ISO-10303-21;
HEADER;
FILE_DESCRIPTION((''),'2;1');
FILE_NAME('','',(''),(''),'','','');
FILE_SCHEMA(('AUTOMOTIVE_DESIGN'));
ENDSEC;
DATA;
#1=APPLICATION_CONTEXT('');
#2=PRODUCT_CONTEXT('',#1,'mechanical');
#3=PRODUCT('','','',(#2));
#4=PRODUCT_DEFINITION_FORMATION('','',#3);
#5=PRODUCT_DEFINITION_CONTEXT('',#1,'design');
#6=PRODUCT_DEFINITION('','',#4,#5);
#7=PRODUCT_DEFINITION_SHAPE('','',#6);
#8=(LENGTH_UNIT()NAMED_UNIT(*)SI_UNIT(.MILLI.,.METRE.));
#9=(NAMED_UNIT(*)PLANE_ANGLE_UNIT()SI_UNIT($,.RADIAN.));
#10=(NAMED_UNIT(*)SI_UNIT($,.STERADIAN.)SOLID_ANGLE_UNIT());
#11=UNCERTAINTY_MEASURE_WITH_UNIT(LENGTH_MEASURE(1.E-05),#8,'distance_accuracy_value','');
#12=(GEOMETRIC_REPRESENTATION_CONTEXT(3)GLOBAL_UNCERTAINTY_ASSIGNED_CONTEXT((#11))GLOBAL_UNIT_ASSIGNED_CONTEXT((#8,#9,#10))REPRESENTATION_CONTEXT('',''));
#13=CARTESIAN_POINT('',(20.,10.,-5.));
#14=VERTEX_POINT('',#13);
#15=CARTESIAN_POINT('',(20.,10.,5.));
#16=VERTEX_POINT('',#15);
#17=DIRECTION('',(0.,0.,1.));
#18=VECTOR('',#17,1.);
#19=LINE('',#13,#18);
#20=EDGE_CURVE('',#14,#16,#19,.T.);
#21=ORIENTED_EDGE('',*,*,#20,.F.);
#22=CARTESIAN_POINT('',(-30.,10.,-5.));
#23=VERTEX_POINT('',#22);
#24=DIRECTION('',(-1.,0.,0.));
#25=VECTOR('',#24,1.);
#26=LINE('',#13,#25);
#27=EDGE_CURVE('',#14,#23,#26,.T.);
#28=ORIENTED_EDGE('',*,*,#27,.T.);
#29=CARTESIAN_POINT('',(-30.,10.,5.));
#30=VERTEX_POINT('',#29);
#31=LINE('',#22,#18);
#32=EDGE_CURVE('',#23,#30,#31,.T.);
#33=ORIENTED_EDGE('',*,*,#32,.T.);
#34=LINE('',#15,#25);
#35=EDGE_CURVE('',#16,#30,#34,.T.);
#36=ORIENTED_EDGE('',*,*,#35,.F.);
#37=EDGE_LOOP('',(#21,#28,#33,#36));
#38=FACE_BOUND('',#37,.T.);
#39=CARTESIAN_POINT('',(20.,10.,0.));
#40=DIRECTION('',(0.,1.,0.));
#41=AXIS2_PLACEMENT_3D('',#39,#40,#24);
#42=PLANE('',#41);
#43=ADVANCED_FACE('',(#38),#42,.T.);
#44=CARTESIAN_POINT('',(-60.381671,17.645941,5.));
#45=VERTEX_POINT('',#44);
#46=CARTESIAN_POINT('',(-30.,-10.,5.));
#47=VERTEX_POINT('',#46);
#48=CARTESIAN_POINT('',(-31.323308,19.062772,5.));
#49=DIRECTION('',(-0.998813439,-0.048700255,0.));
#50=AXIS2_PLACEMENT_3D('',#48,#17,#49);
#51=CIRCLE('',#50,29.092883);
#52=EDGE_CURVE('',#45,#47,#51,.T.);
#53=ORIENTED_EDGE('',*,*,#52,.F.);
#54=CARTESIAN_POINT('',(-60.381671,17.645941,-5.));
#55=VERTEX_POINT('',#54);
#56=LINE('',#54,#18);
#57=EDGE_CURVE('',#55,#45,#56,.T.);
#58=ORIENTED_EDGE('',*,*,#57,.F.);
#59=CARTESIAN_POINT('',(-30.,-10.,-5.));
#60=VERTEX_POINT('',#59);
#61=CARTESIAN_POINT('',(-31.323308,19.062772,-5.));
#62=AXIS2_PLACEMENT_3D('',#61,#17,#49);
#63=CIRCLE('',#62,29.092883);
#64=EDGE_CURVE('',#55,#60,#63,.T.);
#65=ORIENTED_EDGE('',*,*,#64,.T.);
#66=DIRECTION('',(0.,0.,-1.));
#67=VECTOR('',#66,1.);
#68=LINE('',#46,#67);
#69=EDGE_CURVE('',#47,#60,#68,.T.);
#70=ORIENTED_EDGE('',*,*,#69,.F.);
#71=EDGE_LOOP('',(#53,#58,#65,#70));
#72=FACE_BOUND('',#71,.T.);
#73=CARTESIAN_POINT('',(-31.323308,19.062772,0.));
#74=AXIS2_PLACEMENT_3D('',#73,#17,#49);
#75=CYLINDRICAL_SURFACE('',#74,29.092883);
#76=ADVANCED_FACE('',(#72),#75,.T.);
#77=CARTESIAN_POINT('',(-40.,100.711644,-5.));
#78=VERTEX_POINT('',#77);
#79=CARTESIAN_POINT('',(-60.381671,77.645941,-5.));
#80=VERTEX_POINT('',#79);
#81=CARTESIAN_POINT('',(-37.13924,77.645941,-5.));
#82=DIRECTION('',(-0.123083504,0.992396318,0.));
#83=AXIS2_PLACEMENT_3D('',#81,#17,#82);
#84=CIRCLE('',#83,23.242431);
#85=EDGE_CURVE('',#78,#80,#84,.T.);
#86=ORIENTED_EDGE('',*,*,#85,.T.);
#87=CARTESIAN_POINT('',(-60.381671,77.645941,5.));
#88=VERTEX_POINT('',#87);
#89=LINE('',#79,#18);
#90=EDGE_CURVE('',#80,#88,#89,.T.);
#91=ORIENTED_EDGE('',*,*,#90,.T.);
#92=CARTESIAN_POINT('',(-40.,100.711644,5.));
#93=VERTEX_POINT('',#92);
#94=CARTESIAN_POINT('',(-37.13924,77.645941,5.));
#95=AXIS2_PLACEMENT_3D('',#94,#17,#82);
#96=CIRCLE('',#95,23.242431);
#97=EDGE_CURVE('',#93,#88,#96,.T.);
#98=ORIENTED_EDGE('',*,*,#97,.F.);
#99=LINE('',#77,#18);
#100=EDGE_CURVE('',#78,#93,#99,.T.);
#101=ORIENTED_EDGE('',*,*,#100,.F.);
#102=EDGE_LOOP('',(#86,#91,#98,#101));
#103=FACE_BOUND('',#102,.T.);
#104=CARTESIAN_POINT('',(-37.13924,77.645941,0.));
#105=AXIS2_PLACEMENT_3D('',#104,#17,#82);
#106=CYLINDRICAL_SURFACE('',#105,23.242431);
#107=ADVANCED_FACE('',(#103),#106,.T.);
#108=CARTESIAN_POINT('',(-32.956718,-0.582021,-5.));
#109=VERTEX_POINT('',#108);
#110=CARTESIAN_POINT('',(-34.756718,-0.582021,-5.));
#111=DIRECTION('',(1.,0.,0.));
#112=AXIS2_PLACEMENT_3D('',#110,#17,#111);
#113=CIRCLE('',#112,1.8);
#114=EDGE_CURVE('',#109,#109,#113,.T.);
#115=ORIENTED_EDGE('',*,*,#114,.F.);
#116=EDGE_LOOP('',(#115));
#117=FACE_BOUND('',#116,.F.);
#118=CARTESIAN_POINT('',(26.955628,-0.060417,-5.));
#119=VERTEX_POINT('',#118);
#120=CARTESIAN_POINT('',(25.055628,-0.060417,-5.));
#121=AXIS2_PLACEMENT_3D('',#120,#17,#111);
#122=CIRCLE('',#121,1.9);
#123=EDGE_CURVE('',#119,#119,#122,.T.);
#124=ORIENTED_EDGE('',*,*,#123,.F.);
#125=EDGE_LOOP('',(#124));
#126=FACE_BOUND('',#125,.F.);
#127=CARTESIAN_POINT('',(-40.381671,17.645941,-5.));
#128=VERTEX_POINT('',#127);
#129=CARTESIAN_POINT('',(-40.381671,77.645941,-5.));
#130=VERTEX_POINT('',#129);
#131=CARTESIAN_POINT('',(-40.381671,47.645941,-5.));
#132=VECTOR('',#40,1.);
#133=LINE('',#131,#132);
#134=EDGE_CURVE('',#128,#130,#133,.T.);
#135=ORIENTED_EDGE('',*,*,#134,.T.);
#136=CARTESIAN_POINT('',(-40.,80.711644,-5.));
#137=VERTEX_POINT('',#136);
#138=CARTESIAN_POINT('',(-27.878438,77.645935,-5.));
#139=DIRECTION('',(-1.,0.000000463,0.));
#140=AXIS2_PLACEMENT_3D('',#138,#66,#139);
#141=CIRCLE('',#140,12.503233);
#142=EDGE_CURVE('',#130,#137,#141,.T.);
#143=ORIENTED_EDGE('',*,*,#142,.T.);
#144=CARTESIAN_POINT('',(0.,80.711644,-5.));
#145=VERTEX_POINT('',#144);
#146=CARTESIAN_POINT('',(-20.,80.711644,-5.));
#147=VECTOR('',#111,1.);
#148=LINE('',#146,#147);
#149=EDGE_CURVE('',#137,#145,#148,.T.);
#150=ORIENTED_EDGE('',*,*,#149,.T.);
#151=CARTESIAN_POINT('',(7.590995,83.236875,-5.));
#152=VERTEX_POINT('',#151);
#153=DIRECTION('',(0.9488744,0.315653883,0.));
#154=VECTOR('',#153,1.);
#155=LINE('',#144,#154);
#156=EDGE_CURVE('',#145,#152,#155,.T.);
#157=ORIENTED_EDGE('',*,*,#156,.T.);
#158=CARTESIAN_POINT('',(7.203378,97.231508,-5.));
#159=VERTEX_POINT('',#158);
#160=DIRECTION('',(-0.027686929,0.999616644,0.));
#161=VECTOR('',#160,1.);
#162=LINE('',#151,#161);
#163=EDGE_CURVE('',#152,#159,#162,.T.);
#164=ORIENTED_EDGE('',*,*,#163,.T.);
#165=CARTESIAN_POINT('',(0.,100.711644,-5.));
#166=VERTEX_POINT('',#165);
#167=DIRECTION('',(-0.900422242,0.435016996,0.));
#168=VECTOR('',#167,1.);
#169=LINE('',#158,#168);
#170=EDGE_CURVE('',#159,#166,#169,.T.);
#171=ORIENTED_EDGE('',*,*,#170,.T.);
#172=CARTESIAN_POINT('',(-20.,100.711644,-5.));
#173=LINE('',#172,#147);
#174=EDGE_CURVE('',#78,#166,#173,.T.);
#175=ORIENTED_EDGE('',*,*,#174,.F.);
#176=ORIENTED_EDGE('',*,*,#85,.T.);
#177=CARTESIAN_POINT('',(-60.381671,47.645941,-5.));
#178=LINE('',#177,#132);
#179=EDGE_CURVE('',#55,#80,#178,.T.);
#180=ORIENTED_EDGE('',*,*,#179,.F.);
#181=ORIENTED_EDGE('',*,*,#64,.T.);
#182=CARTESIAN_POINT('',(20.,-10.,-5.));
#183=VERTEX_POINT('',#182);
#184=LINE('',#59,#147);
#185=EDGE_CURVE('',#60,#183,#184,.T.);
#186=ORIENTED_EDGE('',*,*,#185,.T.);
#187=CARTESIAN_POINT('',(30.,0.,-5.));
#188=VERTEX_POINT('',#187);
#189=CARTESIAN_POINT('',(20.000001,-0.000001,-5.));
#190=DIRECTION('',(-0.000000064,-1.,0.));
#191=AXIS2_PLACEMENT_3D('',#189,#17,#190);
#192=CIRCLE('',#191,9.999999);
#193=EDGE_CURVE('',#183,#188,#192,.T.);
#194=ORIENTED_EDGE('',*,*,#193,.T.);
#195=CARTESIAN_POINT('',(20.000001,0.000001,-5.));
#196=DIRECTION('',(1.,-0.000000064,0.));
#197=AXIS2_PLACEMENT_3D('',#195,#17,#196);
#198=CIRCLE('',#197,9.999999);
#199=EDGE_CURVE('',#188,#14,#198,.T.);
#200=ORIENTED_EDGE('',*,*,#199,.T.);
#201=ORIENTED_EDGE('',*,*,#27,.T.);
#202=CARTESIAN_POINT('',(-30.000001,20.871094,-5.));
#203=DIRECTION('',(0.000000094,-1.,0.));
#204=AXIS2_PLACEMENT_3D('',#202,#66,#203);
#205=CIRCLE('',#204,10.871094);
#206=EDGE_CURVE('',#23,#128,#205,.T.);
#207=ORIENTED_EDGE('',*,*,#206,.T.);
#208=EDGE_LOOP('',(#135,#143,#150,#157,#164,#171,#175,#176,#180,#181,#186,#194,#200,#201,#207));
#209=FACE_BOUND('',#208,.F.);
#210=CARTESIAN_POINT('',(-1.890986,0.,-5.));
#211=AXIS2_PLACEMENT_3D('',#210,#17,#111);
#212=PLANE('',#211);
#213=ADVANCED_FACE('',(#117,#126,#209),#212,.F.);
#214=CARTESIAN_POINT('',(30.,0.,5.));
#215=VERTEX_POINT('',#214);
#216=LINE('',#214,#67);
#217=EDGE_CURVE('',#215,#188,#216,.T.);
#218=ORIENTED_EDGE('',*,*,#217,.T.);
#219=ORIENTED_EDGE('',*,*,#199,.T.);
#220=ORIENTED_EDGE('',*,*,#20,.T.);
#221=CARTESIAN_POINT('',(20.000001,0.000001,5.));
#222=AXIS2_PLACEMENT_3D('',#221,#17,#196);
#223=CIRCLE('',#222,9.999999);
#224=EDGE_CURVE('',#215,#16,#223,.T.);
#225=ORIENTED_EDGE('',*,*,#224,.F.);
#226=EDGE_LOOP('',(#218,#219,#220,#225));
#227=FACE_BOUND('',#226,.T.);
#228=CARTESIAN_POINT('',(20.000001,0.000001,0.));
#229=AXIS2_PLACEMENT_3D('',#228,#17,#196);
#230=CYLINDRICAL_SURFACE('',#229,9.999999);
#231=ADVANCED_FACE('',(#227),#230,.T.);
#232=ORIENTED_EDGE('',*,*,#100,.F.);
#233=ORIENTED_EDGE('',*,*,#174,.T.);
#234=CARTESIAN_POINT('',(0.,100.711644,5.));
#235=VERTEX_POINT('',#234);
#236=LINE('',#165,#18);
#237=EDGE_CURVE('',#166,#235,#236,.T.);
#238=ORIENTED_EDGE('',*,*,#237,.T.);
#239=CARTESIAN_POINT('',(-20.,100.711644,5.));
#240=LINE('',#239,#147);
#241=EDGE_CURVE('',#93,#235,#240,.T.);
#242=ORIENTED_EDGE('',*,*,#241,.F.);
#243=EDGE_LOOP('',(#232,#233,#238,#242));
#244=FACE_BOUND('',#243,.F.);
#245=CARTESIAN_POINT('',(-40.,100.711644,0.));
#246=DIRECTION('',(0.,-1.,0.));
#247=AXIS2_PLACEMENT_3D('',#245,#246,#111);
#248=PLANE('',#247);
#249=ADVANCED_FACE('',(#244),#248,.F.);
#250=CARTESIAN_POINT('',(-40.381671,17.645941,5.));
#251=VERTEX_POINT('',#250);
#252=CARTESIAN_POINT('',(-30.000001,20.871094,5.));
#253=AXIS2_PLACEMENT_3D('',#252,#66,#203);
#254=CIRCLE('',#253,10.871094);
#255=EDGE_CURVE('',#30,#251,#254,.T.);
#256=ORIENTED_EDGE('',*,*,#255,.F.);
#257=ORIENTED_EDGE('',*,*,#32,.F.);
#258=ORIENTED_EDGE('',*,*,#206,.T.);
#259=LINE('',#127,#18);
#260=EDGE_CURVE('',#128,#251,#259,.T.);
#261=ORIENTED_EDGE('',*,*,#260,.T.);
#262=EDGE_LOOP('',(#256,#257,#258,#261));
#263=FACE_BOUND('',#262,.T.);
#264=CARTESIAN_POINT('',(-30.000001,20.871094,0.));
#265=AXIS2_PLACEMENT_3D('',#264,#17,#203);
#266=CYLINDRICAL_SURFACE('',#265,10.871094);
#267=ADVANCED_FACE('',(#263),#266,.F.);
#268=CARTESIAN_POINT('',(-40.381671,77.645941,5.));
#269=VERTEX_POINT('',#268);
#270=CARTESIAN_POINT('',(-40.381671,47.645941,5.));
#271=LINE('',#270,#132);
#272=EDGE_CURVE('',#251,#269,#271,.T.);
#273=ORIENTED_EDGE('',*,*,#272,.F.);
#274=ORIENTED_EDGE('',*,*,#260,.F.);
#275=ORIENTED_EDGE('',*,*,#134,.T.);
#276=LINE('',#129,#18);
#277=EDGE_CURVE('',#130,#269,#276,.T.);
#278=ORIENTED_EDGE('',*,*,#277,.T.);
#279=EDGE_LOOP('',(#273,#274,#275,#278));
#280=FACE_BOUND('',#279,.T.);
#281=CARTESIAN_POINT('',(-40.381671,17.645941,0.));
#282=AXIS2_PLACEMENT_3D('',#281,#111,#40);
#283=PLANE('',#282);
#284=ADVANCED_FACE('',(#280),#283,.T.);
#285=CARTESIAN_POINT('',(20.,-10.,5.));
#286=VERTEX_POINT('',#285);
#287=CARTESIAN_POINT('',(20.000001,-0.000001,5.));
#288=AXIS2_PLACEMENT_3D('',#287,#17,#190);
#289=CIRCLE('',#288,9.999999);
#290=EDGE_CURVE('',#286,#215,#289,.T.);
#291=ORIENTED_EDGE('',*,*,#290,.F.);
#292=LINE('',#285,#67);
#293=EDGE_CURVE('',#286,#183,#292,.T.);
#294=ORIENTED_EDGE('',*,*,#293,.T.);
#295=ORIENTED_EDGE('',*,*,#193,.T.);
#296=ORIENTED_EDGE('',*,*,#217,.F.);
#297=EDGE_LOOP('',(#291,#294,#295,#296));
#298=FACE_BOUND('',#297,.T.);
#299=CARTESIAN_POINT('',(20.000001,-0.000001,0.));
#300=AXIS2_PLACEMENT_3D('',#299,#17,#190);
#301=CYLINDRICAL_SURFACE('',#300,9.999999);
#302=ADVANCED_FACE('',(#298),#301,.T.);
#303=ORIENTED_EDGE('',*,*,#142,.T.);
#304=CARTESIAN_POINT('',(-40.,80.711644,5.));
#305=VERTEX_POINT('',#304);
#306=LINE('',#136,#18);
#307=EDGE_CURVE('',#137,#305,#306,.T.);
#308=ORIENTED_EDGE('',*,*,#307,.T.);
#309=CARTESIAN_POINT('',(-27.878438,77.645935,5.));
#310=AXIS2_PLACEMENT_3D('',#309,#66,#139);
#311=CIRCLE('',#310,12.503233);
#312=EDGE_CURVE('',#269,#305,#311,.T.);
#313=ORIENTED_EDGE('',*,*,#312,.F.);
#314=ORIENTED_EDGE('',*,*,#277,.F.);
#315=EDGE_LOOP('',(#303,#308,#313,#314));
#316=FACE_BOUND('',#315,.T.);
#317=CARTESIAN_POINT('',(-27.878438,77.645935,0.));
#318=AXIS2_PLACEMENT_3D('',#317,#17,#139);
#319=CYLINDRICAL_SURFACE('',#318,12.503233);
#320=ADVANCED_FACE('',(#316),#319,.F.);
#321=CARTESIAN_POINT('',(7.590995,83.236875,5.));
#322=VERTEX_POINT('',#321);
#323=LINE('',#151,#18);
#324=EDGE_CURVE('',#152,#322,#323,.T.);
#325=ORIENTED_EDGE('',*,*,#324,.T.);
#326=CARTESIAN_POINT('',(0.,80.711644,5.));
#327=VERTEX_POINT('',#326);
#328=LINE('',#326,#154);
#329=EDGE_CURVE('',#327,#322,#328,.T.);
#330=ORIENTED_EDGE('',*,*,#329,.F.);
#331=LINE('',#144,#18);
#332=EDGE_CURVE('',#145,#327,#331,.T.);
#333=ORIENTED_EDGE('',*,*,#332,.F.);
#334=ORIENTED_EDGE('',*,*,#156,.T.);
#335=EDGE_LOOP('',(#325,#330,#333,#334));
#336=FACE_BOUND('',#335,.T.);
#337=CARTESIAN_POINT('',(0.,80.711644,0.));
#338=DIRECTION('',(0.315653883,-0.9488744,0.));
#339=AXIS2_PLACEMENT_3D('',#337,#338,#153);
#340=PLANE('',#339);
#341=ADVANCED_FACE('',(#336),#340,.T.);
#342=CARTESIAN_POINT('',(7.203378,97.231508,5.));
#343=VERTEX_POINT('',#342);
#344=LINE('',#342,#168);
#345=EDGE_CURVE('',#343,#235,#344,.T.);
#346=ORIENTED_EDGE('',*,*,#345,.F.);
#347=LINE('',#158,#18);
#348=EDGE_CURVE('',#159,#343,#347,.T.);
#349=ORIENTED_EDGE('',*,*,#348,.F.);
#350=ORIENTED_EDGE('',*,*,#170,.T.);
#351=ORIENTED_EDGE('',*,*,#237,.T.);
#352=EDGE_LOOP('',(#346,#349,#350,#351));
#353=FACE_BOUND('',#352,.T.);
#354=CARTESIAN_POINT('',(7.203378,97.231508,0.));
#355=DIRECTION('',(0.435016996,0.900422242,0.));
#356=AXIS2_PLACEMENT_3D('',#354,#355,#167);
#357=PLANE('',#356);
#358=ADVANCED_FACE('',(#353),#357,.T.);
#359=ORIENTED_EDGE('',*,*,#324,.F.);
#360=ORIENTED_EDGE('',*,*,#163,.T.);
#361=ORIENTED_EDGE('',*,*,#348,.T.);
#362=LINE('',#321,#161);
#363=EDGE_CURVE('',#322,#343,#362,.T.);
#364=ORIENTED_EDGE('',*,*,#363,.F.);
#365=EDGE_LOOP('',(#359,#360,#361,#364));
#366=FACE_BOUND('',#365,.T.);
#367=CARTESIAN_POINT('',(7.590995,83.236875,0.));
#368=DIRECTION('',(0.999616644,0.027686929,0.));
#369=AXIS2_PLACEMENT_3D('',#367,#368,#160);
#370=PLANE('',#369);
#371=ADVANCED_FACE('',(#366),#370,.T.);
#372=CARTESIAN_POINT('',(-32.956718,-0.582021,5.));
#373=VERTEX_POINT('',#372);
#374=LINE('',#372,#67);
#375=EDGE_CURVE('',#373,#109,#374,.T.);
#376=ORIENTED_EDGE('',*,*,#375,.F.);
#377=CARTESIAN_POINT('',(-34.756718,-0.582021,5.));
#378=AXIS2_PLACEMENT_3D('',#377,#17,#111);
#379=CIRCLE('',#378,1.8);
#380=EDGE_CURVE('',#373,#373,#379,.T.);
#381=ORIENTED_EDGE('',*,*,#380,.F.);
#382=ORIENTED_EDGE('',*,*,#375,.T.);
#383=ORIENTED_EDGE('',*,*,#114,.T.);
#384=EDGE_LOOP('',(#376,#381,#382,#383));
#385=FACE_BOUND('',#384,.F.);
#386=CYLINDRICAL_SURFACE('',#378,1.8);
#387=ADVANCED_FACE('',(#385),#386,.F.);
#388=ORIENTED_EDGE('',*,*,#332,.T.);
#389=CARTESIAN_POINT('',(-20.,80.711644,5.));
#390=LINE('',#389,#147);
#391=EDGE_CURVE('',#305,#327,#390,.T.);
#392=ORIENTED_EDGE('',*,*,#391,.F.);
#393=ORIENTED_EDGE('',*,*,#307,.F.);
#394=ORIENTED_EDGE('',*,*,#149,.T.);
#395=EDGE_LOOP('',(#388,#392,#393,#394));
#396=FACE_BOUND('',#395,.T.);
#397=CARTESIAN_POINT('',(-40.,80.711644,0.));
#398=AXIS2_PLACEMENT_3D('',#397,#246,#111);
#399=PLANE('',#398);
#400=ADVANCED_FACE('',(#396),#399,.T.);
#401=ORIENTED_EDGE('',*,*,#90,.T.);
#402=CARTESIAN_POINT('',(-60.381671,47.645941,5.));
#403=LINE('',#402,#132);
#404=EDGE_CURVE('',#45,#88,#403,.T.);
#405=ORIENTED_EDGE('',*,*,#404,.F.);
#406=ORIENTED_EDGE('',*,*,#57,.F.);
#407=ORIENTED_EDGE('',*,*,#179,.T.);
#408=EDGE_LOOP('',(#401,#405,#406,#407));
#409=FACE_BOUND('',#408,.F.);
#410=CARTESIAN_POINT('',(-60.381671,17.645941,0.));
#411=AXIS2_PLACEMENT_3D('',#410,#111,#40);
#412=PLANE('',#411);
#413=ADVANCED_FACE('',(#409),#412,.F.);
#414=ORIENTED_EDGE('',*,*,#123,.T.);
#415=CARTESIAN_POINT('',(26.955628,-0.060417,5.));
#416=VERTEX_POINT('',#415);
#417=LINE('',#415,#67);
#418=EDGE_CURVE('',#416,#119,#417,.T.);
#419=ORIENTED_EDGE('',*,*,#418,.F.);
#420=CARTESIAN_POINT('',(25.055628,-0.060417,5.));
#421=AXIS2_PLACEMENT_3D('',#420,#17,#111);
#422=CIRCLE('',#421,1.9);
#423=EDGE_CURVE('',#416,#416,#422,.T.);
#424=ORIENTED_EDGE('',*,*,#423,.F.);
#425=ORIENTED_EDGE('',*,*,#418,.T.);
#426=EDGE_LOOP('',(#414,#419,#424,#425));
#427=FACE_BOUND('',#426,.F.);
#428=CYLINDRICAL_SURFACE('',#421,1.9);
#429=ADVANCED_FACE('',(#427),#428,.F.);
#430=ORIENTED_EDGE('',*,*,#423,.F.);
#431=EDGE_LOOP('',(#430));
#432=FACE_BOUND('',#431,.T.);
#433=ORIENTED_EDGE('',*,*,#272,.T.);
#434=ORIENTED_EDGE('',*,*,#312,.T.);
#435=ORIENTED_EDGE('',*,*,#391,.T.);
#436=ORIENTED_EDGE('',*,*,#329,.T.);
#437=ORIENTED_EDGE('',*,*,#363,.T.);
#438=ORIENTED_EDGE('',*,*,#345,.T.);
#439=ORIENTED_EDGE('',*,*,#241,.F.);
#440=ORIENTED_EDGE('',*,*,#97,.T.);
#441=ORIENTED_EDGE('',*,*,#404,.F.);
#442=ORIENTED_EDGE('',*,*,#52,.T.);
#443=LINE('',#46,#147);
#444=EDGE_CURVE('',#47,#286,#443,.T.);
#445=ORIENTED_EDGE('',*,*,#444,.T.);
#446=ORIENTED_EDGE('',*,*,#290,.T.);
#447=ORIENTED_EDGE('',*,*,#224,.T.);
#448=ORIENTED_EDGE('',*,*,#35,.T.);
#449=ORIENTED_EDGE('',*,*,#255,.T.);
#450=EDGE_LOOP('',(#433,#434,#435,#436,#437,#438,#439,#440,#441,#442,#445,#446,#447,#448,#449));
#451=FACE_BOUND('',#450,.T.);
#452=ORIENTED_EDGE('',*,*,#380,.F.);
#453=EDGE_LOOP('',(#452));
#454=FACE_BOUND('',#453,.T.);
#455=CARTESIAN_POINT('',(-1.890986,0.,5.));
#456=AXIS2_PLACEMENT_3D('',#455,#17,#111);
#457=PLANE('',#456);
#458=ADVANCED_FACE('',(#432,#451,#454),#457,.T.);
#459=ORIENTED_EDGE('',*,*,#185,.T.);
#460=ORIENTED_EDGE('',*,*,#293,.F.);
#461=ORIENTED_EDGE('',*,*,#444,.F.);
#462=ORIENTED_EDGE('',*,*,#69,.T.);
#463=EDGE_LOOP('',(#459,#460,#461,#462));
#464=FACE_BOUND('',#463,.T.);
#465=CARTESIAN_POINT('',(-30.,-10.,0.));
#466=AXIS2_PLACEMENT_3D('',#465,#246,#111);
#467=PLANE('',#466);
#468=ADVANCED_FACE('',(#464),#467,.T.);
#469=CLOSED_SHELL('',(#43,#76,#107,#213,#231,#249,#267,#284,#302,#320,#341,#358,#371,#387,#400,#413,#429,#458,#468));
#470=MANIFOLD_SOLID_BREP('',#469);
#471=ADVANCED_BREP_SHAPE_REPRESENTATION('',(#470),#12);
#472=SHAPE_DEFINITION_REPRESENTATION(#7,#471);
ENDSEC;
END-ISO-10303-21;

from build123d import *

# Parameters (mm, degrees)
F0_W     = 20
F0_H     = 60
F0_W_2   = 40
F0_H_2   = 20
F1_DEPTH = 5
F2_R     = 1.9
F3_DEPTH = 26
F4_R     = 1.8
F5_DEPTH = 25


with BuildPart() as f1:
    # F0 (on Top) → F1 (new body, symmetric)
    with BuildSketch(Plane.XY):
        with BuildLine():
            ThreePointArc((30, 0), (27.071068, 7.071068), (20, 10))
            Line((20, 10), (-30, 10))
            Line((-30, 10), (-30, -10))
            Line((-30, -10), (20, -10))
            ThreePointArc((20, -10), (27.071068, -7.071068), (30, 0))
        make_face()
        with BuildLine():
            Line((-30, -10), (-30, 10))
            ThreePointArc((-30, 10), (-36.446695, 12.117762), (-40.381671, 17.645941))
            Line((-40.381671, 17.645941), (-60.381671, 17.645941))
            ThreePointArc((-60.381671, 17.645941), (-50.903472, -2.454966), (-30, -10))
        make_face()
        with Locations((-50.381671, 47.645941)):
            Rectangle(F0_W, F0_H)
        with BuildLine():
            Line((-60.381671, 77.645941), (-40.381671, 77.645941))
            ThreePointArc((-40.381671, 77.645941), (-40.285886, 79.190626), (-40, 80.711644))
            Line((-40, 80.711644), (-40, 100.711644))
            ThreePointArc((-40, 100.711644), (-54.556209, 93.036191), (-60.381671, 77.645941))
        make_face()
        with Locations((-20, 90.711644)):
            Rectangle(F0_W_2, F0_H_2)
        Polygon((0, 100.711644), (0, 80.711644), (7.590995, 83.236875), (7.203378, 97.231508), align=None)
    extrude(amount=F1_DEPTH, both=True)

    # F2 (on face) → F3 (cut)
    with BuildSketch(Plane.XY.offset(5)):
        with Locations((25.055628, -0.060417)):
            Circle(F2_R)
    extrude(amount=-F3_DEPTH, mode=Mode.SUBTRACT)

    # F4 (on face) → F5 (cut)
    with BuildSketch(Plane.XY.offset(5)):
        with Locations((-34.756718, -0.582021)):
            Circle(F4_R)
    extrude(amount=-F5_DEPTH, mode=Mode.SUBTRACT)


solid = f1.part
